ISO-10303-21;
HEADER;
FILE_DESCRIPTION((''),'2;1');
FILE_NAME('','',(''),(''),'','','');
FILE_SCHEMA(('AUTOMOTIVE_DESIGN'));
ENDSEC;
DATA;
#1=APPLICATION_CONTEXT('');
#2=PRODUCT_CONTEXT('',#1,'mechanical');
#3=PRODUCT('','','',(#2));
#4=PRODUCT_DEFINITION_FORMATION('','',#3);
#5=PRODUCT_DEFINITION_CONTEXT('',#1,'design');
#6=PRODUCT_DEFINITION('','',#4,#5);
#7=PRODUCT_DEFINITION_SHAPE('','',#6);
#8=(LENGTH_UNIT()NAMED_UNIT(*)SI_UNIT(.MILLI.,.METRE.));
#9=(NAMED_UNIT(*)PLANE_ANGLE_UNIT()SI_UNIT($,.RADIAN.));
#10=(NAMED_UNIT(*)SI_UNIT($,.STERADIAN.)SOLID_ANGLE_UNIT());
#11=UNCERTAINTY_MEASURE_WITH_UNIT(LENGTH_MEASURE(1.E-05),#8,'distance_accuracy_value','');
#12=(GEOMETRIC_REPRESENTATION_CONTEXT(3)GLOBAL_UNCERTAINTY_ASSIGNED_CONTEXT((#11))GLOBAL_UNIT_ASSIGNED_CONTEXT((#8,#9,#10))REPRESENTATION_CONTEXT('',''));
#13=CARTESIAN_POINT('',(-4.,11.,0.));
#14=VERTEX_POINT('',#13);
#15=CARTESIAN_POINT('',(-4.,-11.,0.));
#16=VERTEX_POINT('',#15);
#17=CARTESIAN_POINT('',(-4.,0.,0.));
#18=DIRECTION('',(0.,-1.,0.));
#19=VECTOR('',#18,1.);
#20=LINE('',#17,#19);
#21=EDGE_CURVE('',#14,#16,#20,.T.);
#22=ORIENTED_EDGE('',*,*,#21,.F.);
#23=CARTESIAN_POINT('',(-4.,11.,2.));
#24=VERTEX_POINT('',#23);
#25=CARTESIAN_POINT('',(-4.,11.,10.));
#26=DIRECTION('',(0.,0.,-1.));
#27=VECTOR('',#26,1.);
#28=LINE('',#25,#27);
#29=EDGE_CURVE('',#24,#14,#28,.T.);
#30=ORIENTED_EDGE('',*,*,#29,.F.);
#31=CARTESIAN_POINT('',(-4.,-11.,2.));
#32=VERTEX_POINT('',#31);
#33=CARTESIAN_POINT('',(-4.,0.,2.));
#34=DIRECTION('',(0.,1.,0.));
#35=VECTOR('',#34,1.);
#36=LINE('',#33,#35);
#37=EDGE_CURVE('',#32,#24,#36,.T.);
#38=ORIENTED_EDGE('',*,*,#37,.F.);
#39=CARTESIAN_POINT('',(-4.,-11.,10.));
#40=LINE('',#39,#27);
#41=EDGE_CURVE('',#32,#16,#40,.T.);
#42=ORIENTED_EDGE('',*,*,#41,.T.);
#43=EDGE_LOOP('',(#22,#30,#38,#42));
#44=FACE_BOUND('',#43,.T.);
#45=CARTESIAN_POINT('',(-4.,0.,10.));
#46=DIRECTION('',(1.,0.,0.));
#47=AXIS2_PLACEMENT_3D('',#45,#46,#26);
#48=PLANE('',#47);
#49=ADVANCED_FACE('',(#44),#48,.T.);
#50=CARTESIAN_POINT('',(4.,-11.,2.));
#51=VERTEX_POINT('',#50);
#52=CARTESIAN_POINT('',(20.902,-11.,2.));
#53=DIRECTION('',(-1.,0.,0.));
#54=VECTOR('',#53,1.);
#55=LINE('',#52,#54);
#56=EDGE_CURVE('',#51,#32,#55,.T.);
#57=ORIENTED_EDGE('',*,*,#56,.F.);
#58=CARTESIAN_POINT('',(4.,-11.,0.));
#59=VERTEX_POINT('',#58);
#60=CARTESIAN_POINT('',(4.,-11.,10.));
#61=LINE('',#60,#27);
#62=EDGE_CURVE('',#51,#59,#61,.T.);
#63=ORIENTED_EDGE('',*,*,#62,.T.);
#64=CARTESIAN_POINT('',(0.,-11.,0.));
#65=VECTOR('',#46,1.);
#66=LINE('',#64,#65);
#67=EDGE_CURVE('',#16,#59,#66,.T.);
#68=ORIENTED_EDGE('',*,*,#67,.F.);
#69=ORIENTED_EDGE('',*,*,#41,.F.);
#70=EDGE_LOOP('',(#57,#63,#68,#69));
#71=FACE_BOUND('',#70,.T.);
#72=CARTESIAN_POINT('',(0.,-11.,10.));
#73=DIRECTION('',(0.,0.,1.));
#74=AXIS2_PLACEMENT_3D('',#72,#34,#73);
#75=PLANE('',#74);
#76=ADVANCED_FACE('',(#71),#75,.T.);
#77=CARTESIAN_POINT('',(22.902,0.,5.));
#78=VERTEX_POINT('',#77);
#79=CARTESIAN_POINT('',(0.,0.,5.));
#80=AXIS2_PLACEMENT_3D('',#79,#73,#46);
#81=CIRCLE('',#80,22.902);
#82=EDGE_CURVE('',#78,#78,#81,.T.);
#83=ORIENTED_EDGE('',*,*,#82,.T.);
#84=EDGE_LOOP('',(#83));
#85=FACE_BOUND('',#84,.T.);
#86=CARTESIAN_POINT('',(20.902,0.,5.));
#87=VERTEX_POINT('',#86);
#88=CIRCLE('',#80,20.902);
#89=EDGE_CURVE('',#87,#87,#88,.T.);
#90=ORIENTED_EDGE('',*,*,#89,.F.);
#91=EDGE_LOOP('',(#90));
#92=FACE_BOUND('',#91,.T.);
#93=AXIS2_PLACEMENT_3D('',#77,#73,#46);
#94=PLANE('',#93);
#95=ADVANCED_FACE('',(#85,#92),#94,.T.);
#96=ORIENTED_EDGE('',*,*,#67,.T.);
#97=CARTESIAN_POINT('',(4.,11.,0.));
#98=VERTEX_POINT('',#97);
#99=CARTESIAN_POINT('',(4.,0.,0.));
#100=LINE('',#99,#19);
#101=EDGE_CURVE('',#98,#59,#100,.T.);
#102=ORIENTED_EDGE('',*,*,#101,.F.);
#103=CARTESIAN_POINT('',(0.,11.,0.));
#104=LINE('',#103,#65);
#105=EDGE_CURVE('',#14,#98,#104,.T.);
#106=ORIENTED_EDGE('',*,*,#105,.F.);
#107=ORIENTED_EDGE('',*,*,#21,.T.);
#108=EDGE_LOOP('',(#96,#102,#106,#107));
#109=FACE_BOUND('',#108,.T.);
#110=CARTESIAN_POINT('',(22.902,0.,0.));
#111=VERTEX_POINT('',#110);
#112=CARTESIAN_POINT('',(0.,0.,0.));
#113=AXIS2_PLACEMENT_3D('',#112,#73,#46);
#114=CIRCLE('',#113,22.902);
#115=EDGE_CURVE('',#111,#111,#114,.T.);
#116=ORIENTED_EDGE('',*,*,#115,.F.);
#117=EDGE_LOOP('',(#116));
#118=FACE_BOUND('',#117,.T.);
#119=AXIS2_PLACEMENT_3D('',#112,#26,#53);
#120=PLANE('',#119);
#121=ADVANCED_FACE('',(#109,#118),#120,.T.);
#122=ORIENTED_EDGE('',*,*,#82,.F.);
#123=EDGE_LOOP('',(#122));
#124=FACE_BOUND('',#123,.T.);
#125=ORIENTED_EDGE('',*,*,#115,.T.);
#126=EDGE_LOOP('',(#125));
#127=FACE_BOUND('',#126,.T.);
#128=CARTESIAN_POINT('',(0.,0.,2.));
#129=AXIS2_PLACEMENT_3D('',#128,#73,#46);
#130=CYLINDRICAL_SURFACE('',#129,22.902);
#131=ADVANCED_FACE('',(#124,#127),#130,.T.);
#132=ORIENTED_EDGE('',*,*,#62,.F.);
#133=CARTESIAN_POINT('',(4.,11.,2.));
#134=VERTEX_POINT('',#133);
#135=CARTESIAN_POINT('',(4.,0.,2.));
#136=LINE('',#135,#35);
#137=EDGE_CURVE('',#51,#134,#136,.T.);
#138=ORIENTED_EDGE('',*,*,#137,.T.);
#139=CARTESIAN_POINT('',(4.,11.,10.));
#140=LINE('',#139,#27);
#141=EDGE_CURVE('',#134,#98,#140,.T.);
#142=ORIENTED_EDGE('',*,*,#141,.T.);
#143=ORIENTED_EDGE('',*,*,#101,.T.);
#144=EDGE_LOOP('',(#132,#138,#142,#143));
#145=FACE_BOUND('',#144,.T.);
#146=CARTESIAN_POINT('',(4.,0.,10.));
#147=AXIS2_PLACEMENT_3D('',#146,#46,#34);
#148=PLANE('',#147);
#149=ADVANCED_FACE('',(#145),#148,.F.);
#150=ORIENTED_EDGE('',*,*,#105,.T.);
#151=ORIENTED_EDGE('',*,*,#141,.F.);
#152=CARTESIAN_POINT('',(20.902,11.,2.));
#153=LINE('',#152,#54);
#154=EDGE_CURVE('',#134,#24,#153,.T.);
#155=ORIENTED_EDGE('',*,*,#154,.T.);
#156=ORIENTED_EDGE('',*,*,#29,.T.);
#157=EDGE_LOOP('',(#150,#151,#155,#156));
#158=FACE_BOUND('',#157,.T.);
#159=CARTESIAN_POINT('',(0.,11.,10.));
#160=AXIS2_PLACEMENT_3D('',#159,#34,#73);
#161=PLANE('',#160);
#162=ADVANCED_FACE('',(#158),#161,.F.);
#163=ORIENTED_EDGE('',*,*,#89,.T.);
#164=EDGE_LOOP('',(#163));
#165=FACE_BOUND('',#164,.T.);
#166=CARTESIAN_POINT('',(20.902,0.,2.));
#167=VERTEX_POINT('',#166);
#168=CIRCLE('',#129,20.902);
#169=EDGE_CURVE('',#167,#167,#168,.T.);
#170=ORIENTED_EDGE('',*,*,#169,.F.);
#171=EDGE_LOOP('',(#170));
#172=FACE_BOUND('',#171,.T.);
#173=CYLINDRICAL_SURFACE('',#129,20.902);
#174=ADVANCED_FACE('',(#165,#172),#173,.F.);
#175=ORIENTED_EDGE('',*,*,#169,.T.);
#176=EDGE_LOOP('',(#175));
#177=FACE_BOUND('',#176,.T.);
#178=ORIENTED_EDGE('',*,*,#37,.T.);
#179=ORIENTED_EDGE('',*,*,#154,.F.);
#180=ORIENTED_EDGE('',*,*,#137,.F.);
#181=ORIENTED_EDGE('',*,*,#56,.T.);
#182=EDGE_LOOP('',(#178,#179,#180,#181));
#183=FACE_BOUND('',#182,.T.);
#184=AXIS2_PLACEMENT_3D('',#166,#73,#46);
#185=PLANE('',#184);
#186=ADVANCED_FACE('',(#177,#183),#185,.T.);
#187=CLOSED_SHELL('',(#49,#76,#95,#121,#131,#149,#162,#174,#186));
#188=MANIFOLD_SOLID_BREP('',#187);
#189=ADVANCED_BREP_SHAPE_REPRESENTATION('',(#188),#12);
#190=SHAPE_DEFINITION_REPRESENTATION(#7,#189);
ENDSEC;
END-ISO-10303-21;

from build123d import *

# Parameters (mm, degrees)
SKIZZE2_W                       = 8
SKIZZE2_H                       = 22
SCHNITT_LINEAR_AUSTRAGEN1_DEPTH = 10


with BuildPart() as part:
    # Skizze1 → Rotation2 (revolve)
    with BuildSketch(Plane(origin=(0, 0, 0), x_dir=(1, 0, 0), z_dir=(0, 1, 0))):
        Polygon((0, 0), (22.902, 0), (22.902, -5), (20.902, -5), (20.902, -2), (0, -2), align=None)
    revolve(axis=Axis((0, 0, 2), (0, 0, -1)))

    # Skizze2 → Schnitt-Linear austragen1 (cut)
    with BuildSketch(Plane(origin=(0, 0, 0), x_dir=(-1, 0, 0), z_dir=(0, 0, -1))):
        Rectangle(SKIZZE2_W, SKIZZE2_H)
    extrude(amount=-SCHNITT_LINEAR_AUSTRAGEN1_DEPTH, mode=Mode.SUBTRACT)


solid = part.part
